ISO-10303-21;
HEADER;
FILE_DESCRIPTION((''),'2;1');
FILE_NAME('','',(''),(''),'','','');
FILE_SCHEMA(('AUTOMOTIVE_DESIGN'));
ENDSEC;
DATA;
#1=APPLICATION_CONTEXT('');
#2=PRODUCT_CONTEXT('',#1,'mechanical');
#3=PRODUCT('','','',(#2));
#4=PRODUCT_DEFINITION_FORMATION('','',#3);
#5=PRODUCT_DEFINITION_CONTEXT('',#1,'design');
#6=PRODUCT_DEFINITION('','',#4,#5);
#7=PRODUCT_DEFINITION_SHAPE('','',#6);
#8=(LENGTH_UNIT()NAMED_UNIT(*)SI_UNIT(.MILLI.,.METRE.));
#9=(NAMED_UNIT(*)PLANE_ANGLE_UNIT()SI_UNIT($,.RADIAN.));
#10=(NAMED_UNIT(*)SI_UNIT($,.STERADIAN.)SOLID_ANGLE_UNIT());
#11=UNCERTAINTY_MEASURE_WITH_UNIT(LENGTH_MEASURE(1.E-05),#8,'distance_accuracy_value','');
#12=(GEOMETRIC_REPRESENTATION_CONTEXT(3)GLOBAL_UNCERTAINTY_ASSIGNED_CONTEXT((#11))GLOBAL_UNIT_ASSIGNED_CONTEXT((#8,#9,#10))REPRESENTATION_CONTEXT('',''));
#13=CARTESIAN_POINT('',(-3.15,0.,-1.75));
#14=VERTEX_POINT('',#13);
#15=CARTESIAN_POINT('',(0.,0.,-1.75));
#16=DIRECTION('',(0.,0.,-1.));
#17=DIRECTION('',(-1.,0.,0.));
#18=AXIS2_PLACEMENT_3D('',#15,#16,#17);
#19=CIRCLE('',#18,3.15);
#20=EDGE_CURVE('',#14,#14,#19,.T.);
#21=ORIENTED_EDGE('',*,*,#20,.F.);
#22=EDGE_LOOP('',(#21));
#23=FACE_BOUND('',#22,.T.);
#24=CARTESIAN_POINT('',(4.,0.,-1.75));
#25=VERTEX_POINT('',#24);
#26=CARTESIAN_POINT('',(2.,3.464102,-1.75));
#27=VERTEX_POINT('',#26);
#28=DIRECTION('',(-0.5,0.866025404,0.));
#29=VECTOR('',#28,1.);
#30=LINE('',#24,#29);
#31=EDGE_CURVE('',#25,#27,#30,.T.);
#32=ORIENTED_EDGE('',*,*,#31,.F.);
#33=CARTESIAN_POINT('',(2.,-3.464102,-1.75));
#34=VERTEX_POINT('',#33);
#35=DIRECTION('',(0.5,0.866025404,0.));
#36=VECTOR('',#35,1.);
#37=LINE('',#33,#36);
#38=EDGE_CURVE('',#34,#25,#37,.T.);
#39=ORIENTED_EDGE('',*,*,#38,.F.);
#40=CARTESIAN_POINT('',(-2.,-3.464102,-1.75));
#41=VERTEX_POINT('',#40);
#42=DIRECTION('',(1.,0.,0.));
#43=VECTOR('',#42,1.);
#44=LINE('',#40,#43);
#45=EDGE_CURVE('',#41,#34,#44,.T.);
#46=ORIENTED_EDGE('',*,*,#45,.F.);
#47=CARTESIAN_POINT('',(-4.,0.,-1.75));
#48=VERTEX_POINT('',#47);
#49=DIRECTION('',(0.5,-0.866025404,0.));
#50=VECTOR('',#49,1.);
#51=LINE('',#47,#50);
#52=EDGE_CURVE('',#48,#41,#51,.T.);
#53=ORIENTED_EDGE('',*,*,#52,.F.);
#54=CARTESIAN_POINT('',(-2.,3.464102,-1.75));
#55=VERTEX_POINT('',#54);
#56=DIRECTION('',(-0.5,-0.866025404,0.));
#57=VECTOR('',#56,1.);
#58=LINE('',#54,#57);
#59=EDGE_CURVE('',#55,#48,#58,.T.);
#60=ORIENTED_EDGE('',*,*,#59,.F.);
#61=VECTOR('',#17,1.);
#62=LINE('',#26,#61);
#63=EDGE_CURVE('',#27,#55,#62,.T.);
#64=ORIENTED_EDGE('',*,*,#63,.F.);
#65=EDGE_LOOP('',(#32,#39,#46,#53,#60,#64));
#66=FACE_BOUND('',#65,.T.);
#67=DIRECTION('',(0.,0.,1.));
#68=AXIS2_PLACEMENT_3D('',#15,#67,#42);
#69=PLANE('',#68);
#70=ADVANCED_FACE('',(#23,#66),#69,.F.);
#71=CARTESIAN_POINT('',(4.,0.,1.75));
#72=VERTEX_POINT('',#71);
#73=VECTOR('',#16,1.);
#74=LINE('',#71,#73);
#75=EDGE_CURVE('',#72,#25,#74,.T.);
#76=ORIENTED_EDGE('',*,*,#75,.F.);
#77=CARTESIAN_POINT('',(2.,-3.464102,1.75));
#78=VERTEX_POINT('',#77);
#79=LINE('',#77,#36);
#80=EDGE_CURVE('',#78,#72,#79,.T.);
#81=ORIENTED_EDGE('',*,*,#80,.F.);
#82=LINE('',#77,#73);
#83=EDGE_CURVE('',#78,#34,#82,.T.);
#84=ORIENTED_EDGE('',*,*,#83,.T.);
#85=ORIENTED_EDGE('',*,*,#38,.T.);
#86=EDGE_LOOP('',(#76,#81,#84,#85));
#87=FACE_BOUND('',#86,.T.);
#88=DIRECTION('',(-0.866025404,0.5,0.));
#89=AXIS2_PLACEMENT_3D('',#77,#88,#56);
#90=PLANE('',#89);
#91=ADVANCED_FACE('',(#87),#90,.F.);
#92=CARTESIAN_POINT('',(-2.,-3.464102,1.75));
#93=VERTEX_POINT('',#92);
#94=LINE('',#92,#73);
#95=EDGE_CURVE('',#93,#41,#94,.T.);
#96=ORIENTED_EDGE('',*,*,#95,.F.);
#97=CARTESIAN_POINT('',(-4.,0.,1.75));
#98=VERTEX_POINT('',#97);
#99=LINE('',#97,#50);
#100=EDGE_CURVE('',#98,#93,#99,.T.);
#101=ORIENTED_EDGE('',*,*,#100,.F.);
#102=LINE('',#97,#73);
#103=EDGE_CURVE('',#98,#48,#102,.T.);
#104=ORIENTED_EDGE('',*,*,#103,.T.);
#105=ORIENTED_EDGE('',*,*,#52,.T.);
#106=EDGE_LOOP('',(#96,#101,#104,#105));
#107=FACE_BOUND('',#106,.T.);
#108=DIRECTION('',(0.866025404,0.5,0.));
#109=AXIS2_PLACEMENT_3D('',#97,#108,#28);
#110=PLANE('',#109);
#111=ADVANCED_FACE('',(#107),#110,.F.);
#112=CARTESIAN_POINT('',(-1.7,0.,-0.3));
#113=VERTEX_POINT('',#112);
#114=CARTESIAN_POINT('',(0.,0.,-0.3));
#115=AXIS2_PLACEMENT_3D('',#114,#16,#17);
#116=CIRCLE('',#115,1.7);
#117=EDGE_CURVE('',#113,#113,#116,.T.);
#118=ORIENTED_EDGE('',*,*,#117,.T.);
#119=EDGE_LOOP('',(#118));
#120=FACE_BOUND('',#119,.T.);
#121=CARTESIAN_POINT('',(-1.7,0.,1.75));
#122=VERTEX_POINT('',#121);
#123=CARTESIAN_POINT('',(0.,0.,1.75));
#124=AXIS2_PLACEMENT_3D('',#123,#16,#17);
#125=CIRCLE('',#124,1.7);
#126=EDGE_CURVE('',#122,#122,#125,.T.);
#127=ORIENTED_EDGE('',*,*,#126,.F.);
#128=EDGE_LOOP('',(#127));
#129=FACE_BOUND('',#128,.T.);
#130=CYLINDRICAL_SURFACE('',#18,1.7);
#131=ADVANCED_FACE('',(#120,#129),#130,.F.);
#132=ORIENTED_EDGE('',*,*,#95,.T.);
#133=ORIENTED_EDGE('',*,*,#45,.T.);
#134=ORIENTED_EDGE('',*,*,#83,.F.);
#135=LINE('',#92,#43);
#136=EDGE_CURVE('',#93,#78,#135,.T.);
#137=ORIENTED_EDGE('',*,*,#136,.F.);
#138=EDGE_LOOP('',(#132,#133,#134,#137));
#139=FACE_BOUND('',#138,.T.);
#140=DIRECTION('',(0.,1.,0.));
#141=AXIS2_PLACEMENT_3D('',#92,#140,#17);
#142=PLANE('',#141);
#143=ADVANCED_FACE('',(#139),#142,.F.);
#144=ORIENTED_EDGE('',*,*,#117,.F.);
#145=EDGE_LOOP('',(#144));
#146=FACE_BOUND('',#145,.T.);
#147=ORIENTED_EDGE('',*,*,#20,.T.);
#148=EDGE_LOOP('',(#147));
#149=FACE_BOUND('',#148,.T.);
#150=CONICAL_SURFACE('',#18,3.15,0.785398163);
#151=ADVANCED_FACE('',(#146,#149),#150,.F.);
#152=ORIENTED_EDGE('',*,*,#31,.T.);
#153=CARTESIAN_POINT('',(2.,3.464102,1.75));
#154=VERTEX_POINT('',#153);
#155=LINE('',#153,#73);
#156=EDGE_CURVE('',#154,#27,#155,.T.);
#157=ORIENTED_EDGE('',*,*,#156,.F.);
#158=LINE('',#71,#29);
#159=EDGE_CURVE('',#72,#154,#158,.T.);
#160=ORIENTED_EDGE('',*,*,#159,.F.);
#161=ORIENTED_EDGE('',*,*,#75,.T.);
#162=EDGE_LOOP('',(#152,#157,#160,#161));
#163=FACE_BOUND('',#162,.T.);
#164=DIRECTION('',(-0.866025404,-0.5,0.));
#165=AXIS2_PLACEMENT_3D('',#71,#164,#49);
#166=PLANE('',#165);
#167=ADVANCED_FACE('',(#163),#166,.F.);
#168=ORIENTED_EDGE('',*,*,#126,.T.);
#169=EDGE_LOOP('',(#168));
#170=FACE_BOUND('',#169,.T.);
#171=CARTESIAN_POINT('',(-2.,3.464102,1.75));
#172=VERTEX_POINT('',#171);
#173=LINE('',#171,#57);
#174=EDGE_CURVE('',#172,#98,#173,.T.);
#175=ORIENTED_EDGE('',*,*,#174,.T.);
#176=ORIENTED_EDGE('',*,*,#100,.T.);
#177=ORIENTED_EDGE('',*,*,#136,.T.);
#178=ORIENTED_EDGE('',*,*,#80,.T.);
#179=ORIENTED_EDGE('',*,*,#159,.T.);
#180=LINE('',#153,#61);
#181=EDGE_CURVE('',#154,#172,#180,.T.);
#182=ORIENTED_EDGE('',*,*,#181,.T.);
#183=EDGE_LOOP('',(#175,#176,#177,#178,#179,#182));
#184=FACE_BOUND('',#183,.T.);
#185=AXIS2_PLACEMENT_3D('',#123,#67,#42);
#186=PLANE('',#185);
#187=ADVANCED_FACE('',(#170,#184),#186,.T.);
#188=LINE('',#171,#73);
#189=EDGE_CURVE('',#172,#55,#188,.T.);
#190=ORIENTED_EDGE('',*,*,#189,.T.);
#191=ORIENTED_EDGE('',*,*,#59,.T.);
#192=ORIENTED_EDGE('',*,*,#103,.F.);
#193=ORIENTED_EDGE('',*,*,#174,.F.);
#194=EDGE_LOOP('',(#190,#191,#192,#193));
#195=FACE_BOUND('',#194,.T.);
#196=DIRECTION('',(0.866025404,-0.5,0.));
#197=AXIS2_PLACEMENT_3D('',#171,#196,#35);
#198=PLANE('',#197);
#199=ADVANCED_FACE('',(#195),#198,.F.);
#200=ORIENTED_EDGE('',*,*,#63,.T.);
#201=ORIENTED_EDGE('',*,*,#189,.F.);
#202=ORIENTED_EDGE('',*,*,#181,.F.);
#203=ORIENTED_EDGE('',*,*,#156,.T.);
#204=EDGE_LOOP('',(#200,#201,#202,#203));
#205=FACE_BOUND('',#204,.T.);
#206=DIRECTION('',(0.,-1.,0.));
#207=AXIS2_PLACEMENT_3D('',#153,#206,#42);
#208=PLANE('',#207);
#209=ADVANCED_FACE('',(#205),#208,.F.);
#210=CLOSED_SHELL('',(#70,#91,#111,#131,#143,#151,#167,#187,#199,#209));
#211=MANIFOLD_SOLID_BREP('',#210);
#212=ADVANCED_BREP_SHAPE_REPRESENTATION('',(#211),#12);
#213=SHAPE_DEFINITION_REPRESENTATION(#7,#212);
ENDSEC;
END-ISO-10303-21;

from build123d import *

# Parameters (mm, degrees)
BOSS_EXTRUDE1_DEPTH                                 = 1.75
CSK_FOR_M3_COUNTERSUNK_FLAT_HEAD_SCREW1_D           = 3.4
CSK_FOR_M3_COUNTERSUNK_FLAT_HEAD_SCREW1_DEPTH       = 3.5
CSK_FOR_M3_COUNTERSUNK_FLAT_HEAD_SCREW1_CSINK_D     = 6.3
CSK_FOR_M3_COUNTERSUNK_FLAT_HEAD_SCREW1_CSINK_ANGLE = 90
CSK_FOR_M3_COUNTERSUNK_FLAT_HEAD_SCREW1_TIP         = 1.021463052


with BuildPart() as part:
    # Sketch1 → Boss-Extrude1 (new, symmetric)
    with BuildSketch(Plane.XY):
        Polygon((2, -3.464101615), (4, 0), (2, 3.464101615), (-2, 3.464101615), (-4, 0), (-2, -3.464101615), align=None)
    extrude(amount=BOSS_EXTRUDE1_DEPTH, both=True)

    # CSK for M3 Countersunk Flat Head Screw1
    with Locations(Plane(origin=(0, 0, -1.75), x_dir=(-1, 0, 0), z_dir=(0, 0, -1))):
        with Locations((0, 0)):
            CounterSinkHole(CSK_FOR_M3_COUNTERSUNK_FLAT_HEAD_SCREW1_D / 2, CSK_FOR_M3_COUNTERSUNK_FLAT_HEAD_SCREW1_CSINK_D / 2, depth=CSK_FOR_M3_COUNTERSUNK_FLAT_HEAD_SCREW1_DEPTH, counter_sink_angle=CSK_FOR_M3_COUNTERSUNK_FLAT_HEAD_SCREW1_CSINK_ANGLE)
            with Locations((0, 0, -(CSK_FOR_M3_COUNTERSUNK_FLAT_HEAD_SCREW1_DEPTH + CSK_FOR_M3_COUNTERSUNK_FLAT_HEAD_SCREW1_TIP / 2))):  # 118° drill point
                Cone(0, CSK_FOR_M3_COUNTERSUNK_FLAT_HEAD_SCREW1_D / 2, CSK_FOR_M3_COUNTERSUNK_FLAT_HEAD_SCREW1_TIP, mode=Mode.SUBTRACT)


solid = part.part
